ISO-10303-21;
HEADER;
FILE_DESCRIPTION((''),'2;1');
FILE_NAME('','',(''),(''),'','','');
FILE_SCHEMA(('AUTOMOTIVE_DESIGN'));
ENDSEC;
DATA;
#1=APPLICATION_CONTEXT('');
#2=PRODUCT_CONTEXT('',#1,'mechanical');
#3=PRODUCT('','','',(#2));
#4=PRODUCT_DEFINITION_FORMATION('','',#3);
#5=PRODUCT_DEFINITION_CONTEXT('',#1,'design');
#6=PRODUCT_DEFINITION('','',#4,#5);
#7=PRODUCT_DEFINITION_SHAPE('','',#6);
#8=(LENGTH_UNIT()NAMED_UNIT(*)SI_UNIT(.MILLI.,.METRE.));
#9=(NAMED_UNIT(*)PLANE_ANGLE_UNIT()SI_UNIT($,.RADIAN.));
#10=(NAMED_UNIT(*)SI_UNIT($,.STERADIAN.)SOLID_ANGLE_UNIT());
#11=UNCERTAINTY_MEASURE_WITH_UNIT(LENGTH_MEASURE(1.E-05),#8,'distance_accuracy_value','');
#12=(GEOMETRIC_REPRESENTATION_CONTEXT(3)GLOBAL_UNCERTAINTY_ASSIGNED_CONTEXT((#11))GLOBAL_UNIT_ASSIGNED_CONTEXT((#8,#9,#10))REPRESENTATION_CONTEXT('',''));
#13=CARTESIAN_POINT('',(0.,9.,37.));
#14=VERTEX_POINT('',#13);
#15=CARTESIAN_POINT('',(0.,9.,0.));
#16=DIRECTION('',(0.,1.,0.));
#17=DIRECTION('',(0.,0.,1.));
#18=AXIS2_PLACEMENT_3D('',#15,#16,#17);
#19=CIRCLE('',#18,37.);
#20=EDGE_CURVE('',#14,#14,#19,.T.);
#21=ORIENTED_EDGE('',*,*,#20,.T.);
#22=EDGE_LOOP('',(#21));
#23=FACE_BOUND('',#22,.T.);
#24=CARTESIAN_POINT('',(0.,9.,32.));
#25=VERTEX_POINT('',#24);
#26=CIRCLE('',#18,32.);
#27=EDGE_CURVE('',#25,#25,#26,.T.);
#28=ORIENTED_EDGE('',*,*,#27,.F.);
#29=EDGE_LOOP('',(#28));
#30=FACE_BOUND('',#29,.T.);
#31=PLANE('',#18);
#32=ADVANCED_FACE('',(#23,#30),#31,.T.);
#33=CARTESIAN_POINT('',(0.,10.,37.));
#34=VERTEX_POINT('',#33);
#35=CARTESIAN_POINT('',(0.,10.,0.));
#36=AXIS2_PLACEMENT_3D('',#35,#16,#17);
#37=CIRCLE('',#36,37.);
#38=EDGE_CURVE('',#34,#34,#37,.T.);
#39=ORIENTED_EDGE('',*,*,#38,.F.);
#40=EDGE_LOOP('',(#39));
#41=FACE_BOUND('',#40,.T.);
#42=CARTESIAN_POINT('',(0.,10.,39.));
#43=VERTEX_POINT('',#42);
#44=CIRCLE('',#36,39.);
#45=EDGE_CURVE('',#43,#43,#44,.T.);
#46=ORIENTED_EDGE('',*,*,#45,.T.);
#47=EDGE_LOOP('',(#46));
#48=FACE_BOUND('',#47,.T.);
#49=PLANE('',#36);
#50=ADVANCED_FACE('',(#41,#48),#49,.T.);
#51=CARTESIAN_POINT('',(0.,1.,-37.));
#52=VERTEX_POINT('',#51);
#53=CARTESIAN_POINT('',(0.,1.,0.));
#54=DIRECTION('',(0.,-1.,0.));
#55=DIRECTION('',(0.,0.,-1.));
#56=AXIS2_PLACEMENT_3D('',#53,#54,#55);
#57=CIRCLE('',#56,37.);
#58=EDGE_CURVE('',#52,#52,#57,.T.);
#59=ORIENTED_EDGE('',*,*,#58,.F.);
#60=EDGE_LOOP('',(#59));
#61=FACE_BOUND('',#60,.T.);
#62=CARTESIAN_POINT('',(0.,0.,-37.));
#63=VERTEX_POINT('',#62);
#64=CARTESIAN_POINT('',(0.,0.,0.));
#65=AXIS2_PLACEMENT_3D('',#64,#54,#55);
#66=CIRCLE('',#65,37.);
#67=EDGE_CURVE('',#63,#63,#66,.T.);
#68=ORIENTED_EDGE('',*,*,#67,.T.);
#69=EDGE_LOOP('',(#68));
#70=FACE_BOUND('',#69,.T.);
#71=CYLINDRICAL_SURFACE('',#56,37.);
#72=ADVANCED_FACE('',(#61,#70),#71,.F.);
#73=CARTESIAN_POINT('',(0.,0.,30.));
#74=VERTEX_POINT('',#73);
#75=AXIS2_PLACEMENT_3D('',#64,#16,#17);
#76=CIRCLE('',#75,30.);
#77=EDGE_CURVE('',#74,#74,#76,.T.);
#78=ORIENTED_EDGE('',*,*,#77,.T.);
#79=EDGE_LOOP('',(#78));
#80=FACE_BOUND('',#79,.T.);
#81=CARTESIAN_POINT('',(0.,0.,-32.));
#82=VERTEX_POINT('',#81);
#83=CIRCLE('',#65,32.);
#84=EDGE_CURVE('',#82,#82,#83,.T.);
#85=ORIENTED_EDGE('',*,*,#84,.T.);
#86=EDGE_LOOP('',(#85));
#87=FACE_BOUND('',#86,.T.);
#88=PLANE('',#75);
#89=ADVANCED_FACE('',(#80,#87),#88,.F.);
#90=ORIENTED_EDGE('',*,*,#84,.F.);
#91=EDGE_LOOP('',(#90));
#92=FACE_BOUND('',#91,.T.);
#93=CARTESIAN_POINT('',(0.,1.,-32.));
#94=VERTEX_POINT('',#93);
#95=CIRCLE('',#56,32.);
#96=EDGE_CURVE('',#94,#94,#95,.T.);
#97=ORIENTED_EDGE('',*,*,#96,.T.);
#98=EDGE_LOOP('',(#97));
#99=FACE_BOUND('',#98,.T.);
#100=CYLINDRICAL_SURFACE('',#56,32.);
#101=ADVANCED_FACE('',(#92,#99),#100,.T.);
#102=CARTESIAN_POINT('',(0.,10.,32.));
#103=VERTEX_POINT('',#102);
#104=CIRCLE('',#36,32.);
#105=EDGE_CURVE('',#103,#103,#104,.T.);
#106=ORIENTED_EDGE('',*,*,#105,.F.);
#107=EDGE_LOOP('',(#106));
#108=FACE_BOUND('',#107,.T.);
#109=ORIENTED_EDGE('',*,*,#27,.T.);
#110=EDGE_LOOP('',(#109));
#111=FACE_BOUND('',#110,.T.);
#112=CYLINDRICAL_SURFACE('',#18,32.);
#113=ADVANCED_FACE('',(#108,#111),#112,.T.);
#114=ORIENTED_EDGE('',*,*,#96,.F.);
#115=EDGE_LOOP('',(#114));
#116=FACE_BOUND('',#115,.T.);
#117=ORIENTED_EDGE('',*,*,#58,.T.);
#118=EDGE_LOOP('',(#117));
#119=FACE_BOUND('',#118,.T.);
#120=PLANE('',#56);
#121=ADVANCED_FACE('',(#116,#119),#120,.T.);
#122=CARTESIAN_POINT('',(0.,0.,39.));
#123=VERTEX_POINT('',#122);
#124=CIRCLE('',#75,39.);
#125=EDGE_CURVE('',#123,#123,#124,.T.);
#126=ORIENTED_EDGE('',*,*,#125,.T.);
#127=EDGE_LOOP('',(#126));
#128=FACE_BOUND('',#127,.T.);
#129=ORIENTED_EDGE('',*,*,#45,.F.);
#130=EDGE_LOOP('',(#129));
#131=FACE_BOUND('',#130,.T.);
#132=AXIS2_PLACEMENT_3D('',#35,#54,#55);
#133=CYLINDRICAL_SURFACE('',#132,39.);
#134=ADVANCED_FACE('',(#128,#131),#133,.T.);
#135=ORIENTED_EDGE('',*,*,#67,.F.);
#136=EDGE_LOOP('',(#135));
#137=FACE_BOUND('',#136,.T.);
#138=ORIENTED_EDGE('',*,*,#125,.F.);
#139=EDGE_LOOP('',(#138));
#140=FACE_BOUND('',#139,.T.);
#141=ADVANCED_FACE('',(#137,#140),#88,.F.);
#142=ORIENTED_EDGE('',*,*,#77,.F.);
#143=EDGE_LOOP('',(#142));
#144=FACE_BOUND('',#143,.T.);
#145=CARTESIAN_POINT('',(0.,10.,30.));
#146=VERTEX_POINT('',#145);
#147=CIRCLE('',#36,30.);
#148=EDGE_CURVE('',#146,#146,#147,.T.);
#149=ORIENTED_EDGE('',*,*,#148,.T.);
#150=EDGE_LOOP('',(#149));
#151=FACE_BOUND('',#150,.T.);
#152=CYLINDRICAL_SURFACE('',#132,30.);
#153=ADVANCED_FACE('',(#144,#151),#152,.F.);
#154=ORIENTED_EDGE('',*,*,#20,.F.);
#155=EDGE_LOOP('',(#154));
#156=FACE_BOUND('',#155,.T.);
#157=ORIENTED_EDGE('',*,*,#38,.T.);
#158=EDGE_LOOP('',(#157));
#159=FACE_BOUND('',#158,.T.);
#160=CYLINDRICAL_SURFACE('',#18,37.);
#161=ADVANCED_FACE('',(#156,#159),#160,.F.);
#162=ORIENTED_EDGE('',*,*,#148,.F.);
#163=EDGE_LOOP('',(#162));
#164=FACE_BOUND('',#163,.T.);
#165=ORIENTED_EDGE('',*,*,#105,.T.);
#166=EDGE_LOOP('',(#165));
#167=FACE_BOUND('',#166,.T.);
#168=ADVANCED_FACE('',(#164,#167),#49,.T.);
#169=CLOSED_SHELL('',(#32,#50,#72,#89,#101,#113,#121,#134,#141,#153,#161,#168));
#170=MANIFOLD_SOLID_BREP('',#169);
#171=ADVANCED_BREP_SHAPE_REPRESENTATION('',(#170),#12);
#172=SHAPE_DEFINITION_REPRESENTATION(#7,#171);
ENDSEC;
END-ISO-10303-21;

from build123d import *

# Parameters (mm, degrees)
SKETCH1_R           = 39
SKETCH1_R_2         = 30
BOSS_EXTRUDE1_DEPTH = 10
SKETCH2_R           = 37
SKETCH2_R_2         = 32
CUT_EXTRUDE1_DEPTH  = 1
SKETCH3_R           = 37
SKETCH3_R_2         = 32
CUT_EXTRUDE2_DEPTH  = 1


with BuildPart() as part:
    # Sketch1 → Boss-Extrude1 (new body)
    with BuildSketch(Plane(origin=(0, 0, 0), x_dir=(1, 0, 0), z_dir=(0, 1, 0))):
        Circle(SKETCH1_R)
        Circle(SKETCH1_R_2, mode=Mode.SUBTRACT)
    extrude(amount=BOSS_EXTRUDE1_DEPTH)

    # Sketch2 → Cut-Extrude1 (cut)
    with BuildSketch(Plane(origin=(0, 10, 0), x_dir=(1, 0, 0), z_dir=(0, 1, 0))):
        Circle(SKETCH2_R)
        Circle(SKETCH2_R_2, mode=Mode.SUBTRACT)
    extrude(amount=-CUT_EXTRUDE1_DEPTH, mode=Mode.SUBTRACT)

    # Sketch3 → Cut-Extrude2 (cut)
    with BuildSketch(Plane.XZ):
        Circle(SKETCH3_R)
        Circle(SKETCH3_R_2, mode=Mode.SUBTRACT)
    extrude(amount=-CUT_EXTRUDE2_DEPTH, mode=Mode.SUBTRACT)


solid = part.part
